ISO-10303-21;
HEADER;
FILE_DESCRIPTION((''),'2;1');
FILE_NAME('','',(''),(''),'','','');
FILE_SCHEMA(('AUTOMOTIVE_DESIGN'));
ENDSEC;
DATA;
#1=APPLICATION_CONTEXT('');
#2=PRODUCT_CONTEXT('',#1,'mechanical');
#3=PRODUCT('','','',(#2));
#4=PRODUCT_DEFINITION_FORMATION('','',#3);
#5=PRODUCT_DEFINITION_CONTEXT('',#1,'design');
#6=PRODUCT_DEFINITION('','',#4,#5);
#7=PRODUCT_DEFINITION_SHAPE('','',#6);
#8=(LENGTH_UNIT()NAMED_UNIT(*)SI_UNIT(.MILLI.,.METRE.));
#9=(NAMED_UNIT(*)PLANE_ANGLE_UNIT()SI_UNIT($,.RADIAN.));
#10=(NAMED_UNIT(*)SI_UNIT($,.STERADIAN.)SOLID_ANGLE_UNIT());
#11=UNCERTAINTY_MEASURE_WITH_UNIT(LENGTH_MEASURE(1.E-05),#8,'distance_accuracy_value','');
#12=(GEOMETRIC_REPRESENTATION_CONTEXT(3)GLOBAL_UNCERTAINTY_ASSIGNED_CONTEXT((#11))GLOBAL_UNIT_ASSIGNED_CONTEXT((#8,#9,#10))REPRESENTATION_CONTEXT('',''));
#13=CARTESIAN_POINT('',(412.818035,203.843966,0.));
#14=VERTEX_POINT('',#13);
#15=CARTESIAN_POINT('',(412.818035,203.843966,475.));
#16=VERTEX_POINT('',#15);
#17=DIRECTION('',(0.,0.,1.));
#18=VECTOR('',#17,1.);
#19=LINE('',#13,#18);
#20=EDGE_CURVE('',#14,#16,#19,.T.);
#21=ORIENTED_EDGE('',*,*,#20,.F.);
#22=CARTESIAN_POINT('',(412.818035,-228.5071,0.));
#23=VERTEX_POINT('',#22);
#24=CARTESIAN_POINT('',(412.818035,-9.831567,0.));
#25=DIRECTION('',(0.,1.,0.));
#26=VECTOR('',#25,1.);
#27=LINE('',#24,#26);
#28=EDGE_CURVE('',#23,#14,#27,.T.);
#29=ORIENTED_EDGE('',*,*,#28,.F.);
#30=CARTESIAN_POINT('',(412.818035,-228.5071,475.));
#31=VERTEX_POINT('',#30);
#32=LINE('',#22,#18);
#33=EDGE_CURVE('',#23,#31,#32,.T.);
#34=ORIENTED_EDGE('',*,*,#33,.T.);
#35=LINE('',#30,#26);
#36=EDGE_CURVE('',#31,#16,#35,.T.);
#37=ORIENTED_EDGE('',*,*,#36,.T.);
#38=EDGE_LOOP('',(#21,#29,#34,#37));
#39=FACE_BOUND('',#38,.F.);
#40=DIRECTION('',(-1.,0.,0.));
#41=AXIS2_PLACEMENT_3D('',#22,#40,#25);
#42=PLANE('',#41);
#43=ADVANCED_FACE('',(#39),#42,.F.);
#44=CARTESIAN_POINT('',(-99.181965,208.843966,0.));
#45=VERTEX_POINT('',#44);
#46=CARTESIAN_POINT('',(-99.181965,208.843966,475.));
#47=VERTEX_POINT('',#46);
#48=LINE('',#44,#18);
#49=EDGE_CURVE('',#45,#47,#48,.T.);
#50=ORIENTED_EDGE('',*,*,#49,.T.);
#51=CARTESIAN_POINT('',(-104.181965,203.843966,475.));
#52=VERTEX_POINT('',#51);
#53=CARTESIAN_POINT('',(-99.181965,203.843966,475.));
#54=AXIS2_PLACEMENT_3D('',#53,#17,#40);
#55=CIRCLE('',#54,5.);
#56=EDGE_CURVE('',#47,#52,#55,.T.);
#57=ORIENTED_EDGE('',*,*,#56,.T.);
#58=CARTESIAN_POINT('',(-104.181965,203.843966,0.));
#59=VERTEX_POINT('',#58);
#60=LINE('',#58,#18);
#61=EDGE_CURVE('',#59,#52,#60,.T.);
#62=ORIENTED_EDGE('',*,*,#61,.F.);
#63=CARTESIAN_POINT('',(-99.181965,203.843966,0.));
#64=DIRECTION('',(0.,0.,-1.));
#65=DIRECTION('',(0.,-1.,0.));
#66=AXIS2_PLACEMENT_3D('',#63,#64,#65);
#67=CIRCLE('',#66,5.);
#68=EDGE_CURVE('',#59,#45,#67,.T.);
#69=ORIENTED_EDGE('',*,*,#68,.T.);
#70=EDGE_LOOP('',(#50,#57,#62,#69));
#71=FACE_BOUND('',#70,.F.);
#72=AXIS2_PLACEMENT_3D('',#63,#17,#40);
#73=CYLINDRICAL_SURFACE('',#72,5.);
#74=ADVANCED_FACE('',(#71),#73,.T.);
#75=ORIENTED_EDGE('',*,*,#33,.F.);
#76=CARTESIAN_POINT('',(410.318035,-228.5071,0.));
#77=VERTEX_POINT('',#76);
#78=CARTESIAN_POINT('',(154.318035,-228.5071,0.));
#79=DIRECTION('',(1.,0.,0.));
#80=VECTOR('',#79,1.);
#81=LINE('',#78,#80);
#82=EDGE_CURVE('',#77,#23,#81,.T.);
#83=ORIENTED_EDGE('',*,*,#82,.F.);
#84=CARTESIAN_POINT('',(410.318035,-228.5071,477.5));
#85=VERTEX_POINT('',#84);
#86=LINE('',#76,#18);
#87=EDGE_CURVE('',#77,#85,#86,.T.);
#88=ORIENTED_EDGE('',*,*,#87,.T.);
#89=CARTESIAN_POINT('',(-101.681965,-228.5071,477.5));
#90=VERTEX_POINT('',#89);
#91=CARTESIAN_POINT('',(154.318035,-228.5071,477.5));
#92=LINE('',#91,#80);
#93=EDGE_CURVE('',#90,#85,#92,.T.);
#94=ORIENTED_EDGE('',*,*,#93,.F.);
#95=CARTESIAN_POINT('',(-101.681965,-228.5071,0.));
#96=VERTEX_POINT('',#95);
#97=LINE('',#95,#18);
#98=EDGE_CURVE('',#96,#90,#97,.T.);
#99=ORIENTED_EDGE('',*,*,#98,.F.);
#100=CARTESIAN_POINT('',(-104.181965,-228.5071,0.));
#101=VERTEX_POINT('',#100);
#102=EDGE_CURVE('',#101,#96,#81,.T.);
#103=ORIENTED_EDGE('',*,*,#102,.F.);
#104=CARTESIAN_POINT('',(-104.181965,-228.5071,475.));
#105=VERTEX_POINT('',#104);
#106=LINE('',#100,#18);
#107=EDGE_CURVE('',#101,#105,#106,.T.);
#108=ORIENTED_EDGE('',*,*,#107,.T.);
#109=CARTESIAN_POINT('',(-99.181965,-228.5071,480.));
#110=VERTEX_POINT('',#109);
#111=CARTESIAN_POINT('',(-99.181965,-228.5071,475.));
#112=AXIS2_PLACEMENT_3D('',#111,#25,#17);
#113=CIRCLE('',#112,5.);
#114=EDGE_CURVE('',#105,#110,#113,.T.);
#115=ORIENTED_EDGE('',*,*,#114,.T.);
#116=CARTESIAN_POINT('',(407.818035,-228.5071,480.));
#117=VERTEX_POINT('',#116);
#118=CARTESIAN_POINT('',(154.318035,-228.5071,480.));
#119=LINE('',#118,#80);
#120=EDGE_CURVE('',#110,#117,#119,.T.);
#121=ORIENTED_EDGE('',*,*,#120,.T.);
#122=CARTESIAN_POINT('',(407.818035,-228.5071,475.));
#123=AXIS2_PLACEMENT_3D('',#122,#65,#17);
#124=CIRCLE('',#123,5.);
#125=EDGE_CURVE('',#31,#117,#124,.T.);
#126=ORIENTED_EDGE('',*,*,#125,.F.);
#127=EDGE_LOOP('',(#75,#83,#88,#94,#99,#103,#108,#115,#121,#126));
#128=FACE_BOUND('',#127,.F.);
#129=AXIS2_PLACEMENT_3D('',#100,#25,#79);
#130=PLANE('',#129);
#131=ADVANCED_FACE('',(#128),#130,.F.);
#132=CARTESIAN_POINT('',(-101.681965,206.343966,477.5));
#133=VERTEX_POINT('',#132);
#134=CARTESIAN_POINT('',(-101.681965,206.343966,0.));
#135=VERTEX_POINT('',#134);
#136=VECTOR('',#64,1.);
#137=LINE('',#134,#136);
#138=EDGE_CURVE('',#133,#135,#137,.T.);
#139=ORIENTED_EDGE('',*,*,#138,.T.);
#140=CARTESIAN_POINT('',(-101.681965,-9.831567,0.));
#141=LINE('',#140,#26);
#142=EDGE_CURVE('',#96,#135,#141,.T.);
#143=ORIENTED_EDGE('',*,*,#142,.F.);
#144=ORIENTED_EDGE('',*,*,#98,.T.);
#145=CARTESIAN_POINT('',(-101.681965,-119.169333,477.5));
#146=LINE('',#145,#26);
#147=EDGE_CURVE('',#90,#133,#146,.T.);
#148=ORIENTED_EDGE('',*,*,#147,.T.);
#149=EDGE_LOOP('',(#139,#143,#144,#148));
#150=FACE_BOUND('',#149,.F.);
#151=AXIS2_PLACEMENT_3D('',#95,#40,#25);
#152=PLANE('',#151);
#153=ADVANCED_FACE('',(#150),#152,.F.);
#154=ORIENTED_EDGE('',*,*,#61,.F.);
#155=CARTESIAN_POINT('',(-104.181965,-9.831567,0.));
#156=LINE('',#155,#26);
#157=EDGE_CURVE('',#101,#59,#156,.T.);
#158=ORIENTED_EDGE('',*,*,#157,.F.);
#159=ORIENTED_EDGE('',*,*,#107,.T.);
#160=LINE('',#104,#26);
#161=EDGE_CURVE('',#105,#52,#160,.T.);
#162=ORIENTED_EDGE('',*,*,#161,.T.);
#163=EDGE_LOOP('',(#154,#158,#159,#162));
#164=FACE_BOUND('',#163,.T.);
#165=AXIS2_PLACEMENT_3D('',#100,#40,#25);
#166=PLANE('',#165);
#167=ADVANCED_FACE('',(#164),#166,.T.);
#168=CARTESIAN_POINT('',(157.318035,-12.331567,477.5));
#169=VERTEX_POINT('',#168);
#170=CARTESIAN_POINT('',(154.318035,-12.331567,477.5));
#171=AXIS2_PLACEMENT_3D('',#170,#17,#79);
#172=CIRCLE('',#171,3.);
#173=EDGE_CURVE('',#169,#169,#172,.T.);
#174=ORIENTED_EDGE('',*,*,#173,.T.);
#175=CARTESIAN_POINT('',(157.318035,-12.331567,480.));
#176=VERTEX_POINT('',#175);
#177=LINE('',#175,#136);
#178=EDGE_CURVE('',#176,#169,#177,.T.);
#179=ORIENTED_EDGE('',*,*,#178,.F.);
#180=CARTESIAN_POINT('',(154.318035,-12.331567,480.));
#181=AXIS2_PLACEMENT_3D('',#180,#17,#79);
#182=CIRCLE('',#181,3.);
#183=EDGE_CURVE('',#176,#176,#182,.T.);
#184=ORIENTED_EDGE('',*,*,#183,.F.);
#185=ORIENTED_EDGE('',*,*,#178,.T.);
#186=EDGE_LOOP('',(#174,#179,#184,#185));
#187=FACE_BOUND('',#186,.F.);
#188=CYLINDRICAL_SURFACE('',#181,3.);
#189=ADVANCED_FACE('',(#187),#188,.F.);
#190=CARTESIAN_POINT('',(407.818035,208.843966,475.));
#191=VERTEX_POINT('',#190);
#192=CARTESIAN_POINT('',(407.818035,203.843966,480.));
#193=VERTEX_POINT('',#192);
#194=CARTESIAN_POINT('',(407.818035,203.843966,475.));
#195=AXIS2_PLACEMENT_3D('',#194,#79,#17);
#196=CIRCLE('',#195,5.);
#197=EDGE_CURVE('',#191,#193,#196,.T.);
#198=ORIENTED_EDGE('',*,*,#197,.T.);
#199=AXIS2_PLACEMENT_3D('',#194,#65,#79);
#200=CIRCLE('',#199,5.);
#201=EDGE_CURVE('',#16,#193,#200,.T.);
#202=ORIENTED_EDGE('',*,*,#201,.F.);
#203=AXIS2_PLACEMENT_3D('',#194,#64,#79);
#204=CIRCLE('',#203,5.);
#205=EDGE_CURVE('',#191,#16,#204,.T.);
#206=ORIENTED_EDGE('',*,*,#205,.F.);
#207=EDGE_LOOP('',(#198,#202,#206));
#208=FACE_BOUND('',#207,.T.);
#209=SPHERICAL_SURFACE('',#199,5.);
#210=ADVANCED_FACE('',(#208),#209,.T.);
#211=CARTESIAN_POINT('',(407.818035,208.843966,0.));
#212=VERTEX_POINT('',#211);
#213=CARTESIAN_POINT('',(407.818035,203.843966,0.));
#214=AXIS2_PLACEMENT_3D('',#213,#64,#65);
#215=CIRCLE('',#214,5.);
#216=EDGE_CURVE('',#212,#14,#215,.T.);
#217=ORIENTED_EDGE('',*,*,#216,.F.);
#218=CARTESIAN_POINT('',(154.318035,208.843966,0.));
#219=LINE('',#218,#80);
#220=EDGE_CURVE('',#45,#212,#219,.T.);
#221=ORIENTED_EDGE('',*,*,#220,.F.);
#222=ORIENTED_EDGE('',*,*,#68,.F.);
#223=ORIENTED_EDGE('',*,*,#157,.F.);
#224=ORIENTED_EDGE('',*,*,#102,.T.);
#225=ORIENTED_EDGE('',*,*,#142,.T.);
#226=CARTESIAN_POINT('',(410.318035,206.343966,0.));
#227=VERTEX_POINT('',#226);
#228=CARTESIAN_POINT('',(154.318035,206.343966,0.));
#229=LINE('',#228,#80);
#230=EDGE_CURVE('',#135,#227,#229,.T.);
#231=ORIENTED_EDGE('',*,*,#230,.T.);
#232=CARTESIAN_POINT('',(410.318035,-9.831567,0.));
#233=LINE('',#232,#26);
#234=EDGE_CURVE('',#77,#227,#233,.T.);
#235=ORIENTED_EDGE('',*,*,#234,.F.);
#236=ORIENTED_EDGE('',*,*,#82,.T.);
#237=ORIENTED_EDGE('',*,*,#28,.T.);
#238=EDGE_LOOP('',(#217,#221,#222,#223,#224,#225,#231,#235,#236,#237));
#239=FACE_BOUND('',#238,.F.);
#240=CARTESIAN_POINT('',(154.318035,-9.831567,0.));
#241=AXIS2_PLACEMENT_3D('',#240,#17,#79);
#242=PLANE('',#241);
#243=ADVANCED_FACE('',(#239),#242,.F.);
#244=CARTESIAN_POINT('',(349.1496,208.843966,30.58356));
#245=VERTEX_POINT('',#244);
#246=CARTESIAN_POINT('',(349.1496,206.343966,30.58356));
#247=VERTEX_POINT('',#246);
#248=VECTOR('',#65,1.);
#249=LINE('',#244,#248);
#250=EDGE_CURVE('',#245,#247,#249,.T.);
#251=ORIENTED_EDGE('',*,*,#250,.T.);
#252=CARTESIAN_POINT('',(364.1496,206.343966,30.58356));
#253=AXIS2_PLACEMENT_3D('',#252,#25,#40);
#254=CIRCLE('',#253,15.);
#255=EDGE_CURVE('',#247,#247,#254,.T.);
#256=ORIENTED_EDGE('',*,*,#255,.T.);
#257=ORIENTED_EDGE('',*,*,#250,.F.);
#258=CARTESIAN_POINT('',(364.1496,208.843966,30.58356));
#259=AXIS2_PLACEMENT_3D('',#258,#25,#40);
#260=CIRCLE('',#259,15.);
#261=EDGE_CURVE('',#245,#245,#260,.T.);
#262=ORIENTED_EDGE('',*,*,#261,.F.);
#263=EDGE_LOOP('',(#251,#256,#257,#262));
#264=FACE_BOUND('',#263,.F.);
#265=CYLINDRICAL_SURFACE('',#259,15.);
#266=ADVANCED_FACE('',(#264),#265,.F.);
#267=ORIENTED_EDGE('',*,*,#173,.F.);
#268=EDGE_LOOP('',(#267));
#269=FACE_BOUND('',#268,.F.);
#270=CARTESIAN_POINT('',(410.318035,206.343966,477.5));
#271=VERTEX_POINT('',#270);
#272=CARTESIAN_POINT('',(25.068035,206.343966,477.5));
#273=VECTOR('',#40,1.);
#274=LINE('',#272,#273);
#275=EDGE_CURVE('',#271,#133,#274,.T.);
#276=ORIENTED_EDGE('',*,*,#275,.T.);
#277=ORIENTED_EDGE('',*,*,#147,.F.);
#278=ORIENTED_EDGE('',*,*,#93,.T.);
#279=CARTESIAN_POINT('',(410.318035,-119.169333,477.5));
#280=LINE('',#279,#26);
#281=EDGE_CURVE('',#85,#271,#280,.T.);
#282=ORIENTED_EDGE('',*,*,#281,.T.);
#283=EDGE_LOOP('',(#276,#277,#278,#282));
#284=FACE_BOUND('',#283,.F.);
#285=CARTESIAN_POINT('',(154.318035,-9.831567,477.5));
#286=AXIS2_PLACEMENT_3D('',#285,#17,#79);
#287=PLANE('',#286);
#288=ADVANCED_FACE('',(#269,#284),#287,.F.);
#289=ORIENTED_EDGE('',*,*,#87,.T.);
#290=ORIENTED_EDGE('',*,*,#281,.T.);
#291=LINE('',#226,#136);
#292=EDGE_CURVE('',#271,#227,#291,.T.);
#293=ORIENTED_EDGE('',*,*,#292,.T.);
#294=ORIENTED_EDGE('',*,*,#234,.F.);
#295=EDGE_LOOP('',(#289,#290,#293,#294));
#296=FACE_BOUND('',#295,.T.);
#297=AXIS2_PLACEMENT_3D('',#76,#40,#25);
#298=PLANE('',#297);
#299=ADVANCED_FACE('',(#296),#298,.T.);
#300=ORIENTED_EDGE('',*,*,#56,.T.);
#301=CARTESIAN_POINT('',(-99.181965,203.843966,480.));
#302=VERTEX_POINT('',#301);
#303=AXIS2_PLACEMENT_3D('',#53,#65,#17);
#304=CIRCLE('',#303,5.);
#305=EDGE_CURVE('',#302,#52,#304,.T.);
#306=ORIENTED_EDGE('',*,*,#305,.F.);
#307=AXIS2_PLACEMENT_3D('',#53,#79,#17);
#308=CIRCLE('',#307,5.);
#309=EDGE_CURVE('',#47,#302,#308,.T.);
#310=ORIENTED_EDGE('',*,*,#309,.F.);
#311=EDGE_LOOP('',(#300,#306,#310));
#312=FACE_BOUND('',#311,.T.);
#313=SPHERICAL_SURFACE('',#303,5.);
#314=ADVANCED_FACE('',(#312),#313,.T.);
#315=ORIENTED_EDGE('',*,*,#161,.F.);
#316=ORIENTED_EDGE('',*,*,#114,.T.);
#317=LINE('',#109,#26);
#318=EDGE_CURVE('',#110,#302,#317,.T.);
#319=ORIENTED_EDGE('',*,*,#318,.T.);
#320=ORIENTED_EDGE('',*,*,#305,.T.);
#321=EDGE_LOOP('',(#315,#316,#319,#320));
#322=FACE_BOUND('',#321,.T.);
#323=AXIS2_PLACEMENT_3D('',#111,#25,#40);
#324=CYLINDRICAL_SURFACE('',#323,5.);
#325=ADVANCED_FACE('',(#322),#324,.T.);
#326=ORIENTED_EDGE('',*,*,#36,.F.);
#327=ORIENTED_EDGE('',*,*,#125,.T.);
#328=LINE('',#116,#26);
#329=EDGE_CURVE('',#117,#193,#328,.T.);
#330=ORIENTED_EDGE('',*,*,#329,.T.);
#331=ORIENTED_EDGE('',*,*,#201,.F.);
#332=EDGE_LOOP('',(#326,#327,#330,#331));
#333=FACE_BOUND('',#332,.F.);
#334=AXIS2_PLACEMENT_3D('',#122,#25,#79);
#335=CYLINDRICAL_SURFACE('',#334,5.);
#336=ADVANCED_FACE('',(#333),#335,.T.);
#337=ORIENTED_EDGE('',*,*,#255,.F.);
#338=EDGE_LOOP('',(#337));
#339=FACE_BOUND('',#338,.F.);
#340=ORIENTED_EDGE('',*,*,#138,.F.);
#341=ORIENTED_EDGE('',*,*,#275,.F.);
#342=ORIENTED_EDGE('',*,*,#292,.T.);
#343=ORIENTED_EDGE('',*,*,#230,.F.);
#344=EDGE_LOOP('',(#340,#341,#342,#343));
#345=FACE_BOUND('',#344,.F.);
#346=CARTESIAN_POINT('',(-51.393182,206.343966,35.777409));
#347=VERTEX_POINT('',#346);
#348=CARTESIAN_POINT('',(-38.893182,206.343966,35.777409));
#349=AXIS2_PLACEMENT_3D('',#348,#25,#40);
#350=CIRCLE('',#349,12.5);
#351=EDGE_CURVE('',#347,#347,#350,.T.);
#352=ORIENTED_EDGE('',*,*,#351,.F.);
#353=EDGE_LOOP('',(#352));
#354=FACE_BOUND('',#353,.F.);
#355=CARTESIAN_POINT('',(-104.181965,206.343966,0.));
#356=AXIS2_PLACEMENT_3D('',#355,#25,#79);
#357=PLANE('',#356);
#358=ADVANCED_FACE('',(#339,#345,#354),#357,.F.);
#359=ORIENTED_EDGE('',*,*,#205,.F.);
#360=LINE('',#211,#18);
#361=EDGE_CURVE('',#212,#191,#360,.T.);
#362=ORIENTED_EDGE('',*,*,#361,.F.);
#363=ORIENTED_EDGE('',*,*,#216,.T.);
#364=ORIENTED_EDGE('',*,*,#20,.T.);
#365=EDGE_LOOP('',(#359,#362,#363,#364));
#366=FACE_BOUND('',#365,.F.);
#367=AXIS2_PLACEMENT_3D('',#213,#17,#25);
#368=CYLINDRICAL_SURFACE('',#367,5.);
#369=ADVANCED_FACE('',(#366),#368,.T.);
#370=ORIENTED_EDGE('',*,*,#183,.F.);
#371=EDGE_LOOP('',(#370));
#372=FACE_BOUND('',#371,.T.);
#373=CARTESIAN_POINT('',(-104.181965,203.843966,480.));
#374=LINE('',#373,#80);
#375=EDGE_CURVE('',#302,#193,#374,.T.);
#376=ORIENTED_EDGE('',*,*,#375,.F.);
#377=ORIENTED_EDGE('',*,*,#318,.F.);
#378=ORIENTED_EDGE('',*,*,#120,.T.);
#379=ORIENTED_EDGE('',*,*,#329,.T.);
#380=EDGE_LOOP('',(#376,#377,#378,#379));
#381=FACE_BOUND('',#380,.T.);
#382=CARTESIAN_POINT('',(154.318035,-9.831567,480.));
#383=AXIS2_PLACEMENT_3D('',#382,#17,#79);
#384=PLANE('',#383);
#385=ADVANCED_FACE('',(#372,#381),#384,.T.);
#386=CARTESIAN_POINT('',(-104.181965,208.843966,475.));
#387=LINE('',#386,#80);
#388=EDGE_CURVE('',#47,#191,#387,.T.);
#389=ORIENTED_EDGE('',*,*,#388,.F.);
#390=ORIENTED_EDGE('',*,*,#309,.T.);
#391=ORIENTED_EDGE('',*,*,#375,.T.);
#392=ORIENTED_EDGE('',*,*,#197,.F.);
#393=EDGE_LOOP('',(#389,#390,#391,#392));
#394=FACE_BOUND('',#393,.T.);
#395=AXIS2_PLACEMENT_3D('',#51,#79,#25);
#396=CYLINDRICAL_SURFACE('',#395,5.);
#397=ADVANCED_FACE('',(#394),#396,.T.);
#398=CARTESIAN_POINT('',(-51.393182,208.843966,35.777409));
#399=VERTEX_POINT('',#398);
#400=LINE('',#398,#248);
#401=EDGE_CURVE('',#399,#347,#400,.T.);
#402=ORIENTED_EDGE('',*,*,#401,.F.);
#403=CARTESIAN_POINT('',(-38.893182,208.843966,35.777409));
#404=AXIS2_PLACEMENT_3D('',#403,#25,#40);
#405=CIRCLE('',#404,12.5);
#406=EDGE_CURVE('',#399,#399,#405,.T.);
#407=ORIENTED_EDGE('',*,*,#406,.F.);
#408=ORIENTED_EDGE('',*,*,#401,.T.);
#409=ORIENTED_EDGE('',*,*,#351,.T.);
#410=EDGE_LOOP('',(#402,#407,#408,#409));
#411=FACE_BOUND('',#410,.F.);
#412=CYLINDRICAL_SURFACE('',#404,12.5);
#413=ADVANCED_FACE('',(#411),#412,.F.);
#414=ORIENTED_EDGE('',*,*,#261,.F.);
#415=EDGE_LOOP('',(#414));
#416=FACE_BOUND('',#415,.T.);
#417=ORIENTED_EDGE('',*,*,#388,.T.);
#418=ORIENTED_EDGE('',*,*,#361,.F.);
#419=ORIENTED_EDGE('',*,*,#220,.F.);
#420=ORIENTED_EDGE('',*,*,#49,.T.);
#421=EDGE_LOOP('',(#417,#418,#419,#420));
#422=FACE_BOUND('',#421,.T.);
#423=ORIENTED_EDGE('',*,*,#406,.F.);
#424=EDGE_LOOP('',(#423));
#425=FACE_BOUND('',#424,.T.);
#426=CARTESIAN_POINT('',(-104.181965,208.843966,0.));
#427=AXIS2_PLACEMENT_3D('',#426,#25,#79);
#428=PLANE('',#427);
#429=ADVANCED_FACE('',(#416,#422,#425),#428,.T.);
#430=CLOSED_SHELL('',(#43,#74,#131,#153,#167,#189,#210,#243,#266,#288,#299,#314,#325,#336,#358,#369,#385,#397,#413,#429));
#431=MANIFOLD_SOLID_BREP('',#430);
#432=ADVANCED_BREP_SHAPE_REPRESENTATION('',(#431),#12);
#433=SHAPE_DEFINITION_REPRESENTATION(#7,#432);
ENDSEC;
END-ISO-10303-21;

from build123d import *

# Parameters (mm, degrees)
F0_W     = 517
F0_H     = 437.351066
F1_DEPTH = 480
F2_T     = -2.5
F3_R     = 5
F5_R     = 15
F5_R_2   = 12.5
F6_DEPTH = 11.75
F7_R     = 3
F8_DEPTH = 12.5


with BuildPart() as f1:
    # F0 (on Top) → F1 (new body)
    with BuildSketch(Plane.XY):
        with Locations((154.318035, -9.831567)):
            Rectangle(F0_W, F0_H)
    extrude(amount=F1_DEPTH)

    # F2
    f2_openings = [f1.faces().sort_by_distance(p)[0] for p in [
        (154.318035, -228.5071, 240),
        (154.318035, -9.831567, 0),
    ]]
    offset(amount=F2_T, openings=f2_openings)

    # F3
    f3_edges = [f1.edges().sort_by_distance(p)[0] for p in [
        (412.818035, -9.831567, 480),
        (-104.181965, -9.831567, 480),
        (412.818035, 208.843966, 240),
        (154.318035, 208.843966, 480),
        (-104.181965, 208.843966, 240),
    ]]
    fillet(f3_edges, radius=F3_R)

    # F5 (on face) → F6 (cut)
    with BuildSketch(Plane(origin=(0, 208.843966, 0), x_dir=(-1, 0, 0), z_dir=(0, 1, 0))):
        with Locations((-364.1496, 30.58356)):
            Circle(F5_R)
        with Locations((38.893182, 35.777409)):
            Circle(F5_R_2)
    extrude(amount=-F6_DEPTH, mode=Mode.SUBTRACT)

    # F7 (on face) → F8 (cut)
    with BuildSketch(Plane.XY.offset(480)):
        with Locations((154.318035, -12.331567)):
            Circle(F7_R)
    extrude(amount=-F8_DEPTH, mode=Mode.SUBTRACT)


solid = f1.part
